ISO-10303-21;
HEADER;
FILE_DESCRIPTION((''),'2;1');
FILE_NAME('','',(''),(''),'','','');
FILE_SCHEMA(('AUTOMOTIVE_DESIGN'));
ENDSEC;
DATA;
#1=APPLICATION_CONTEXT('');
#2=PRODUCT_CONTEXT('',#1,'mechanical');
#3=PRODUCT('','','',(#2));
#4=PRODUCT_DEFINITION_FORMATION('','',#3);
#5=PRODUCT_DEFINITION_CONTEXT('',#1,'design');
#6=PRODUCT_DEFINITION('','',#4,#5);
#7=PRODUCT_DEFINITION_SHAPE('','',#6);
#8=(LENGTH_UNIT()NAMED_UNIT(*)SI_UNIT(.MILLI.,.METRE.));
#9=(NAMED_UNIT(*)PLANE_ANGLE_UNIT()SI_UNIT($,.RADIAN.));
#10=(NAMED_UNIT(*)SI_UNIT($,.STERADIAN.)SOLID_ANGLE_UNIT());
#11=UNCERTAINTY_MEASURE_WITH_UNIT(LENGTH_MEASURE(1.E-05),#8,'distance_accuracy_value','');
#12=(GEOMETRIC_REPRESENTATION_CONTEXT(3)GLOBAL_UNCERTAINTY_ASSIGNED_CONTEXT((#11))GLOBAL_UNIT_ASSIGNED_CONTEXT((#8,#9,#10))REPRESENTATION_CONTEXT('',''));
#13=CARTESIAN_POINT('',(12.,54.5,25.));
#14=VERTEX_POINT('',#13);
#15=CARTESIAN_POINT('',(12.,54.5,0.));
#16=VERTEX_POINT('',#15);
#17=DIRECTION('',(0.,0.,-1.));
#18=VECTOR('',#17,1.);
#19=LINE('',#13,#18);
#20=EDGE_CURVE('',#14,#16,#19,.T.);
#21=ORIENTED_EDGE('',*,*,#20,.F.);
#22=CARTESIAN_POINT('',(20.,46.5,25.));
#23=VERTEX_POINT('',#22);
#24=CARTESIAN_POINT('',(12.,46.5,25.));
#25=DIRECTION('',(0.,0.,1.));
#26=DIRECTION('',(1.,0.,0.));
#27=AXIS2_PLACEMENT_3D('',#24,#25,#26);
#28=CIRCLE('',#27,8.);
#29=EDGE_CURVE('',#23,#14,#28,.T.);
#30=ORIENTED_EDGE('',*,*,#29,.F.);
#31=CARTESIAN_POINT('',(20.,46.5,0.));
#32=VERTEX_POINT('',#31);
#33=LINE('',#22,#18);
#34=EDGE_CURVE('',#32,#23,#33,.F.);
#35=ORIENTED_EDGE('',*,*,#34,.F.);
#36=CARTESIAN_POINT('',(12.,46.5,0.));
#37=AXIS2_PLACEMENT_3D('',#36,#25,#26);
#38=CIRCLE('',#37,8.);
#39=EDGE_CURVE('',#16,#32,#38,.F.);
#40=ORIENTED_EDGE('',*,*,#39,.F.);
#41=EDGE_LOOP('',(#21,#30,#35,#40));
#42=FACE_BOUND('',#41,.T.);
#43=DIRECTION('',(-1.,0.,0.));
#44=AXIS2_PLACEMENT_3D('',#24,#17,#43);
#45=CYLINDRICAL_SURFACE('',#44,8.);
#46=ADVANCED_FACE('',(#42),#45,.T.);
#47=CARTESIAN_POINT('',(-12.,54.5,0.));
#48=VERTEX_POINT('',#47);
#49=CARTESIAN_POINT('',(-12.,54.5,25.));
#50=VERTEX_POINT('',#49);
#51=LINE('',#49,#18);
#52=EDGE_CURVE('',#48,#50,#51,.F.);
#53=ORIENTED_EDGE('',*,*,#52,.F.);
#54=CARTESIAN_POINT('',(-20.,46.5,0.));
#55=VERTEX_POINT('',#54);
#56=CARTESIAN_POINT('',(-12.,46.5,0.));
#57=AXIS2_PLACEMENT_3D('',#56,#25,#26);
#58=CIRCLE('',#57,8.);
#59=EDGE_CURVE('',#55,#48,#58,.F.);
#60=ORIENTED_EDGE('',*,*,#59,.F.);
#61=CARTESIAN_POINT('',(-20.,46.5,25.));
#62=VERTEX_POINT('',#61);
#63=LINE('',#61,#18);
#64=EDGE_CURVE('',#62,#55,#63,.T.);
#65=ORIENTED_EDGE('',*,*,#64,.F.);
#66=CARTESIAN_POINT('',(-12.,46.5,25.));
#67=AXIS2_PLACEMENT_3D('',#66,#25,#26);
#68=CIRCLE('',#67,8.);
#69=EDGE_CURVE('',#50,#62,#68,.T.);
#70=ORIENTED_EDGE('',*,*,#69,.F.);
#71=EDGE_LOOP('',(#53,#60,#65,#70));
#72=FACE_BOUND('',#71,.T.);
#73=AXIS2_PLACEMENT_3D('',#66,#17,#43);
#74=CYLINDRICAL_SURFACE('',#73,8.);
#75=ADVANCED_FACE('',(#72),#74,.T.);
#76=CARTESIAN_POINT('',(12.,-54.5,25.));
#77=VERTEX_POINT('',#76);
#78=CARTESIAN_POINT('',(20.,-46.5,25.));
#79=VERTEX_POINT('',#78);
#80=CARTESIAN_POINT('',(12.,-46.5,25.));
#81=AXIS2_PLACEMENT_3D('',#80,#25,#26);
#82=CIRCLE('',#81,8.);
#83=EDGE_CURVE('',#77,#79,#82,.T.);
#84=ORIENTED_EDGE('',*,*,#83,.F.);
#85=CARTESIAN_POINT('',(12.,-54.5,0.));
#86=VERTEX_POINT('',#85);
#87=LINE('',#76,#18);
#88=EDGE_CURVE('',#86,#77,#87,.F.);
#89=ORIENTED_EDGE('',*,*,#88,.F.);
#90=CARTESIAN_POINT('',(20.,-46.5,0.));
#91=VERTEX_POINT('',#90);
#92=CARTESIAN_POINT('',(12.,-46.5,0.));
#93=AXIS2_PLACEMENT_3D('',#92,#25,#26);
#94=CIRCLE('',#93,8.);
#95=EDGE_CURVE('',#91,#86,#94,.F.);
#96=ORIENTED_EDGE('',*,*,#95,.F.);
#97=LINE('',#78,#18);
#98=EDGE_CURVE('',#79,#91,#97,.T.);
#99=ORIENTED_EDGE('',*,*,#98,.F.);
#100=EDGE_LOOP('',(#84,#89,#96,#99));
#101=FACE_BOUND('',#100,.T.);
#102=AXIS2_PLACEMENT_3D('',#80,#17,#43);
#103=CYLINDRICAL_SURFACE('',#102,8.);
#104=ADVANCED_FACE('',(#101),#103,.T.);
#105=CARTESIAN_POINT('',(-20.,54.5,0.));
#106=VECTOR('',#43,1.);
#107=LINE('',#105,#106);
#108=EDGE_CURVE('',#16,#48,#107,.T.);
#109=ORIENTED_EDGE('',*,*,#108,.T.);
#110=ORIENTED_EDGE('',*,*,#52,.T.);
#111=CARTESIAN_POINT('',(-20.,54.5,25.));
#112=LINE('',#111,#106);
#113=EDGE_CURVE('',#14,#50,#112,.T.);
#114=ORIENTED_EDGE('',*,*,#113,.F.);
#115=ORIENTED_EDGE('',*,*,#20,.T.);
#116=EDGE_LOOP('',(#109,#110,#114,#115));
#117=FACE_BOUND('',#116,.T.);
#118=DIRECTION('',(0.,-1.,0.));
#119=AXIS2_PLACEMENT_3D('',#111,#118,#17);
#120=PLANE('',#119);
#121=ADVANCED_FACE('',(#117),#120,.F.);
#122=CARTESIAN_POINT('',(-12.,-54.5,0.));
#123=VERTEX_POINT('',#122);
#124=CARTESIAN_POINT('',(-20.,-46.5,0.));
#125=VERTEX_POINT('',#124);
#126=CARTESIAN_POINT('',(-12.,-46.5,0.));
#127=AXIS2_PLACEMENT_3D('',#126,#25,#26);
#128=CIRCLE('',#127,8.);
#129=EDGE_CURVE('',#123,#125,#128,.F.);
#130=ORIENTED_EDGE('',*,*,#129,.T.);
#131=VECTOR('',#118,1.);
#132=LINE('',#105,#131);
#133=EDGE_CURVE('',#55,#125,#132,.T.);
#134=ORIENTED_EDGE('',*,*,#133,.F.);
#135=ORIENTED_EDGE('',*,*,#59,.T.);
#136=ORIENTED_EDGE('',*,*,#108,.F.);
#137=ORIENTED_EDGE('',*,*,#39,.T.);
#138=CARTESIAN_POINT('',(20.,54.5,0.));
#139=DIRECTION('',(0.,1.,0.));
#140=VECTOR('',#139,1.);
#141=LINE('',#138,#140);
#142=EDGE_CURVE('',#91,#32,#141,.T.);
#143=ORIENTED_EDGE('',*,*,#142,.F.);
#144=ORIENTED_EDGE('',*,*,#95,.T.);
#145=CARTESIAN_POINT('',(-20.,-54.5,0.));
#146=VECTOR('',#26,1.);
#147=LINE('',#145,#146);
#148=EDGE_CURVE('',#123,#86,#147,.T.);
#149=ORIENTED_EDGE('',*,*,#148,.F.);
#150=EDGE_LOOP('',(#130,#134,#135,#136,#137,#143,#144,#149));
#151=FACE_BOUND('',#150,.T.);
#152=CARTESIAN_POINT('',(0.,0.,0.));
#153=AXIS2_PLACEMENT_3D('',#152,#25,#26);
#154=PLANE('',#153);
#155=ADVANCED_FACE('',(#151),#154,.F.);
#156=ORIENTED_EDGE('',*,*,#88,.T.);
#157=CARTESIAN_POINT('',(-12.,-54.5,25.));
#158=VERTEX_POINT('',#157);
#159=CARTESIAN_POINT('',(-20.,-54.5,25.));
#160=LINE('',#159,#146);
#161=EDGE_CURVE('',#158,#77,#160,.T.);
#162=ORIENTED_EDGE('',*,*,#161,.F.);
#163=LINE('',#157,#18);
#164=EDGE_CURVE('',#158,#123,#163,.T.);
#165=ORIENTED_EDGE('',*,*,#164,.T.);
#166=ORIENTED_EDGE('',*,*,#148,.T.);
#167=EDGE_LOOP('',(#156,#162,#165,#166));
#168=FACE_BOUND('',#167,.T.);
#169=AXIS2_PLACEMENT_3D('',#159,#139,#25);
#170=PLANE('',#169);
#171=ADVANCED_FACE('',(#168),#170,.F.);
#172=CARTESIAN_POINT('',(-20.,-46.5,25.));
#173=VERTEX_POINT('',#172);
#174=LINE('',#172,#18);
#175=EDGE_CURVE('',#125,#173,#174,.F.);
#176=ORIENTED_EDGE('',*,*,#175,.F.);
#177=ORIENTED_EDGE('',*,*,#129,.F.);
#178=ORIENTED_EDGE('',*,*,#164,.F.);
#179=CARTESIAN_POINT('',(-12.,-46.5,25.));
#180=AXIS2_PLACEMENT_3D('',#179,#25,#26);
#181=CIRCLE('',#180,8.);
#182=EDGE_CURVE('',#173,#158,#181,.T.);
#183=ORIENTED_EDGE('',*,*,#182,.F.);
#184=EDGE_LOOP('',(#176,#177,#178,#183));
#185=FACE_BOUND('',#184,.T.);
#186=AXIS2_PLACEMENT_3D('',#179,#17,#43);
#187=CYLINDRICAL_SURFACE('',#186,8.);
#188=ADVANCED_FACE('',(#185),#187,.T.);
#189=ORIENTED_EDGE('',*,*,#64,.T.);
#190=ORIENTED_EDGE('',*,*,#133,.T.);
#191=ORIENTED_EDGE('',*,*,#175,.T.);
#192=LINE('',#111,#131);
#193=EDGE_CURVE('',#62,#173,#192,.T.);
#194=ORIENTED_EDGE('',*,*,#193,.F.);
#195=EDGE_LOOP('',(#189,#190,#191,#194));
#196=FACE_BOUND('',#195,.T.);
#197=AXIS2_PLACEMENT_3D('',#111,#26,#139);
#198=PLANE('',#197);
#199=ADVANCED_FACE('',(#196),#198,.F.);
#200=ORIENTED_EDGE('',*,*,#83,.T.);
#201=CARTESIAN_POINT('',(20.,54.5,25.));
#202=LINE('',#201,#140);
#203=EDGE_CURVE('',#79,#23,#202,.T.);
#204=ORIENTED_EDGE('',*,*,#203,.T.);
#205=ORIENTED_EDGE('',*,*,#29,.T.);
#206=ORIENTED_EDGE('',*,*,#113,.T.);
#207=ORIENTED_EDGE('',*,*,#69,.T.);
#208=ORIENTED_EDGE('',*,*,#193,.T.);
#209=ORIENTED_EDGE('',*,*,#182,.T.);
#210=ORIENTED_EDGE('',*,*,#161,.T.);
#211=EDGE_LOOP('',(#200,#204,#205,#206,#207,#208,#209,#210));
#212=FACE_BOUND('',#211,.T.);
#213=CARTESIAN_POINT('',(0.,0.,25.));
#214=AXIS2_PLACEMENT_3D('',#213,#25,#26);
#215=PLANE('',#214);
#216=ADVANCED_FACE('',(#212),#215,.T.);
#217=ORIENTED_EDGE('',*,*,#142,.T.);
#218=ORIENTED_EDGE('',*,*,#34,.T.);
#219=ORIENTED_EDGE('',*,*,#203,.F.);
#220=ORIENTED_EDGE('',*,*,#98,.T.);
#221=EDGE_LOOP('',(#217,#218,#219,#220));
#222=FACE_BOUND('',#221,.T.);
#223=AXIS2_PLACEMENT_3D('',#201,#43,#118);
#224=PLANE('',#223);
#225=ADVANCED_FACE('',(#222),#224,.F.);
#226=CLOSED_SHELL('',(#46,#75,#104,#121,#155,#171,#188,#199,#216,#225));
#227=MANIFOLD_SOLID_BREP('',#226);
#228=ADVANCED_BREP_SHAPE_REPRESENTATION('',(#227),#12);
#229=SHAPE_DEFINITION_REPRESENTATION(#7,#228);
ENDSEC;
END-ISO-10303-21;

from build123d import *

# Parameters (mm, degrees)
SKETCH1_W           = 40
SKETCH1_H           = 109
BOSS_EXTRUDE1_DEPTH = 25
FILLET1_R           = 8


with BuildPart() as part:
    # Sketch1 → Boss-Extrude1 (new body)
    with BuildSketch(Plane.XY):
        Rectangle(SKETCH1_W, SKETCH1_H)
    extrude(amount=BOSS_EXTRUDE1_DEPTH)

    # Fillet1
    fillet1_edges = [part.edges().sort_by_distance(p)[0] for p in [
        (20, -54.5, 12.5),
        (-20, -54.5, 12.5),
        (-20, 54.5, 12.5),
        (20, 54.5, 12.5),
    ]]
    fillet(fillet1_edges, radius=FILLET1_R)


solid = part.part
